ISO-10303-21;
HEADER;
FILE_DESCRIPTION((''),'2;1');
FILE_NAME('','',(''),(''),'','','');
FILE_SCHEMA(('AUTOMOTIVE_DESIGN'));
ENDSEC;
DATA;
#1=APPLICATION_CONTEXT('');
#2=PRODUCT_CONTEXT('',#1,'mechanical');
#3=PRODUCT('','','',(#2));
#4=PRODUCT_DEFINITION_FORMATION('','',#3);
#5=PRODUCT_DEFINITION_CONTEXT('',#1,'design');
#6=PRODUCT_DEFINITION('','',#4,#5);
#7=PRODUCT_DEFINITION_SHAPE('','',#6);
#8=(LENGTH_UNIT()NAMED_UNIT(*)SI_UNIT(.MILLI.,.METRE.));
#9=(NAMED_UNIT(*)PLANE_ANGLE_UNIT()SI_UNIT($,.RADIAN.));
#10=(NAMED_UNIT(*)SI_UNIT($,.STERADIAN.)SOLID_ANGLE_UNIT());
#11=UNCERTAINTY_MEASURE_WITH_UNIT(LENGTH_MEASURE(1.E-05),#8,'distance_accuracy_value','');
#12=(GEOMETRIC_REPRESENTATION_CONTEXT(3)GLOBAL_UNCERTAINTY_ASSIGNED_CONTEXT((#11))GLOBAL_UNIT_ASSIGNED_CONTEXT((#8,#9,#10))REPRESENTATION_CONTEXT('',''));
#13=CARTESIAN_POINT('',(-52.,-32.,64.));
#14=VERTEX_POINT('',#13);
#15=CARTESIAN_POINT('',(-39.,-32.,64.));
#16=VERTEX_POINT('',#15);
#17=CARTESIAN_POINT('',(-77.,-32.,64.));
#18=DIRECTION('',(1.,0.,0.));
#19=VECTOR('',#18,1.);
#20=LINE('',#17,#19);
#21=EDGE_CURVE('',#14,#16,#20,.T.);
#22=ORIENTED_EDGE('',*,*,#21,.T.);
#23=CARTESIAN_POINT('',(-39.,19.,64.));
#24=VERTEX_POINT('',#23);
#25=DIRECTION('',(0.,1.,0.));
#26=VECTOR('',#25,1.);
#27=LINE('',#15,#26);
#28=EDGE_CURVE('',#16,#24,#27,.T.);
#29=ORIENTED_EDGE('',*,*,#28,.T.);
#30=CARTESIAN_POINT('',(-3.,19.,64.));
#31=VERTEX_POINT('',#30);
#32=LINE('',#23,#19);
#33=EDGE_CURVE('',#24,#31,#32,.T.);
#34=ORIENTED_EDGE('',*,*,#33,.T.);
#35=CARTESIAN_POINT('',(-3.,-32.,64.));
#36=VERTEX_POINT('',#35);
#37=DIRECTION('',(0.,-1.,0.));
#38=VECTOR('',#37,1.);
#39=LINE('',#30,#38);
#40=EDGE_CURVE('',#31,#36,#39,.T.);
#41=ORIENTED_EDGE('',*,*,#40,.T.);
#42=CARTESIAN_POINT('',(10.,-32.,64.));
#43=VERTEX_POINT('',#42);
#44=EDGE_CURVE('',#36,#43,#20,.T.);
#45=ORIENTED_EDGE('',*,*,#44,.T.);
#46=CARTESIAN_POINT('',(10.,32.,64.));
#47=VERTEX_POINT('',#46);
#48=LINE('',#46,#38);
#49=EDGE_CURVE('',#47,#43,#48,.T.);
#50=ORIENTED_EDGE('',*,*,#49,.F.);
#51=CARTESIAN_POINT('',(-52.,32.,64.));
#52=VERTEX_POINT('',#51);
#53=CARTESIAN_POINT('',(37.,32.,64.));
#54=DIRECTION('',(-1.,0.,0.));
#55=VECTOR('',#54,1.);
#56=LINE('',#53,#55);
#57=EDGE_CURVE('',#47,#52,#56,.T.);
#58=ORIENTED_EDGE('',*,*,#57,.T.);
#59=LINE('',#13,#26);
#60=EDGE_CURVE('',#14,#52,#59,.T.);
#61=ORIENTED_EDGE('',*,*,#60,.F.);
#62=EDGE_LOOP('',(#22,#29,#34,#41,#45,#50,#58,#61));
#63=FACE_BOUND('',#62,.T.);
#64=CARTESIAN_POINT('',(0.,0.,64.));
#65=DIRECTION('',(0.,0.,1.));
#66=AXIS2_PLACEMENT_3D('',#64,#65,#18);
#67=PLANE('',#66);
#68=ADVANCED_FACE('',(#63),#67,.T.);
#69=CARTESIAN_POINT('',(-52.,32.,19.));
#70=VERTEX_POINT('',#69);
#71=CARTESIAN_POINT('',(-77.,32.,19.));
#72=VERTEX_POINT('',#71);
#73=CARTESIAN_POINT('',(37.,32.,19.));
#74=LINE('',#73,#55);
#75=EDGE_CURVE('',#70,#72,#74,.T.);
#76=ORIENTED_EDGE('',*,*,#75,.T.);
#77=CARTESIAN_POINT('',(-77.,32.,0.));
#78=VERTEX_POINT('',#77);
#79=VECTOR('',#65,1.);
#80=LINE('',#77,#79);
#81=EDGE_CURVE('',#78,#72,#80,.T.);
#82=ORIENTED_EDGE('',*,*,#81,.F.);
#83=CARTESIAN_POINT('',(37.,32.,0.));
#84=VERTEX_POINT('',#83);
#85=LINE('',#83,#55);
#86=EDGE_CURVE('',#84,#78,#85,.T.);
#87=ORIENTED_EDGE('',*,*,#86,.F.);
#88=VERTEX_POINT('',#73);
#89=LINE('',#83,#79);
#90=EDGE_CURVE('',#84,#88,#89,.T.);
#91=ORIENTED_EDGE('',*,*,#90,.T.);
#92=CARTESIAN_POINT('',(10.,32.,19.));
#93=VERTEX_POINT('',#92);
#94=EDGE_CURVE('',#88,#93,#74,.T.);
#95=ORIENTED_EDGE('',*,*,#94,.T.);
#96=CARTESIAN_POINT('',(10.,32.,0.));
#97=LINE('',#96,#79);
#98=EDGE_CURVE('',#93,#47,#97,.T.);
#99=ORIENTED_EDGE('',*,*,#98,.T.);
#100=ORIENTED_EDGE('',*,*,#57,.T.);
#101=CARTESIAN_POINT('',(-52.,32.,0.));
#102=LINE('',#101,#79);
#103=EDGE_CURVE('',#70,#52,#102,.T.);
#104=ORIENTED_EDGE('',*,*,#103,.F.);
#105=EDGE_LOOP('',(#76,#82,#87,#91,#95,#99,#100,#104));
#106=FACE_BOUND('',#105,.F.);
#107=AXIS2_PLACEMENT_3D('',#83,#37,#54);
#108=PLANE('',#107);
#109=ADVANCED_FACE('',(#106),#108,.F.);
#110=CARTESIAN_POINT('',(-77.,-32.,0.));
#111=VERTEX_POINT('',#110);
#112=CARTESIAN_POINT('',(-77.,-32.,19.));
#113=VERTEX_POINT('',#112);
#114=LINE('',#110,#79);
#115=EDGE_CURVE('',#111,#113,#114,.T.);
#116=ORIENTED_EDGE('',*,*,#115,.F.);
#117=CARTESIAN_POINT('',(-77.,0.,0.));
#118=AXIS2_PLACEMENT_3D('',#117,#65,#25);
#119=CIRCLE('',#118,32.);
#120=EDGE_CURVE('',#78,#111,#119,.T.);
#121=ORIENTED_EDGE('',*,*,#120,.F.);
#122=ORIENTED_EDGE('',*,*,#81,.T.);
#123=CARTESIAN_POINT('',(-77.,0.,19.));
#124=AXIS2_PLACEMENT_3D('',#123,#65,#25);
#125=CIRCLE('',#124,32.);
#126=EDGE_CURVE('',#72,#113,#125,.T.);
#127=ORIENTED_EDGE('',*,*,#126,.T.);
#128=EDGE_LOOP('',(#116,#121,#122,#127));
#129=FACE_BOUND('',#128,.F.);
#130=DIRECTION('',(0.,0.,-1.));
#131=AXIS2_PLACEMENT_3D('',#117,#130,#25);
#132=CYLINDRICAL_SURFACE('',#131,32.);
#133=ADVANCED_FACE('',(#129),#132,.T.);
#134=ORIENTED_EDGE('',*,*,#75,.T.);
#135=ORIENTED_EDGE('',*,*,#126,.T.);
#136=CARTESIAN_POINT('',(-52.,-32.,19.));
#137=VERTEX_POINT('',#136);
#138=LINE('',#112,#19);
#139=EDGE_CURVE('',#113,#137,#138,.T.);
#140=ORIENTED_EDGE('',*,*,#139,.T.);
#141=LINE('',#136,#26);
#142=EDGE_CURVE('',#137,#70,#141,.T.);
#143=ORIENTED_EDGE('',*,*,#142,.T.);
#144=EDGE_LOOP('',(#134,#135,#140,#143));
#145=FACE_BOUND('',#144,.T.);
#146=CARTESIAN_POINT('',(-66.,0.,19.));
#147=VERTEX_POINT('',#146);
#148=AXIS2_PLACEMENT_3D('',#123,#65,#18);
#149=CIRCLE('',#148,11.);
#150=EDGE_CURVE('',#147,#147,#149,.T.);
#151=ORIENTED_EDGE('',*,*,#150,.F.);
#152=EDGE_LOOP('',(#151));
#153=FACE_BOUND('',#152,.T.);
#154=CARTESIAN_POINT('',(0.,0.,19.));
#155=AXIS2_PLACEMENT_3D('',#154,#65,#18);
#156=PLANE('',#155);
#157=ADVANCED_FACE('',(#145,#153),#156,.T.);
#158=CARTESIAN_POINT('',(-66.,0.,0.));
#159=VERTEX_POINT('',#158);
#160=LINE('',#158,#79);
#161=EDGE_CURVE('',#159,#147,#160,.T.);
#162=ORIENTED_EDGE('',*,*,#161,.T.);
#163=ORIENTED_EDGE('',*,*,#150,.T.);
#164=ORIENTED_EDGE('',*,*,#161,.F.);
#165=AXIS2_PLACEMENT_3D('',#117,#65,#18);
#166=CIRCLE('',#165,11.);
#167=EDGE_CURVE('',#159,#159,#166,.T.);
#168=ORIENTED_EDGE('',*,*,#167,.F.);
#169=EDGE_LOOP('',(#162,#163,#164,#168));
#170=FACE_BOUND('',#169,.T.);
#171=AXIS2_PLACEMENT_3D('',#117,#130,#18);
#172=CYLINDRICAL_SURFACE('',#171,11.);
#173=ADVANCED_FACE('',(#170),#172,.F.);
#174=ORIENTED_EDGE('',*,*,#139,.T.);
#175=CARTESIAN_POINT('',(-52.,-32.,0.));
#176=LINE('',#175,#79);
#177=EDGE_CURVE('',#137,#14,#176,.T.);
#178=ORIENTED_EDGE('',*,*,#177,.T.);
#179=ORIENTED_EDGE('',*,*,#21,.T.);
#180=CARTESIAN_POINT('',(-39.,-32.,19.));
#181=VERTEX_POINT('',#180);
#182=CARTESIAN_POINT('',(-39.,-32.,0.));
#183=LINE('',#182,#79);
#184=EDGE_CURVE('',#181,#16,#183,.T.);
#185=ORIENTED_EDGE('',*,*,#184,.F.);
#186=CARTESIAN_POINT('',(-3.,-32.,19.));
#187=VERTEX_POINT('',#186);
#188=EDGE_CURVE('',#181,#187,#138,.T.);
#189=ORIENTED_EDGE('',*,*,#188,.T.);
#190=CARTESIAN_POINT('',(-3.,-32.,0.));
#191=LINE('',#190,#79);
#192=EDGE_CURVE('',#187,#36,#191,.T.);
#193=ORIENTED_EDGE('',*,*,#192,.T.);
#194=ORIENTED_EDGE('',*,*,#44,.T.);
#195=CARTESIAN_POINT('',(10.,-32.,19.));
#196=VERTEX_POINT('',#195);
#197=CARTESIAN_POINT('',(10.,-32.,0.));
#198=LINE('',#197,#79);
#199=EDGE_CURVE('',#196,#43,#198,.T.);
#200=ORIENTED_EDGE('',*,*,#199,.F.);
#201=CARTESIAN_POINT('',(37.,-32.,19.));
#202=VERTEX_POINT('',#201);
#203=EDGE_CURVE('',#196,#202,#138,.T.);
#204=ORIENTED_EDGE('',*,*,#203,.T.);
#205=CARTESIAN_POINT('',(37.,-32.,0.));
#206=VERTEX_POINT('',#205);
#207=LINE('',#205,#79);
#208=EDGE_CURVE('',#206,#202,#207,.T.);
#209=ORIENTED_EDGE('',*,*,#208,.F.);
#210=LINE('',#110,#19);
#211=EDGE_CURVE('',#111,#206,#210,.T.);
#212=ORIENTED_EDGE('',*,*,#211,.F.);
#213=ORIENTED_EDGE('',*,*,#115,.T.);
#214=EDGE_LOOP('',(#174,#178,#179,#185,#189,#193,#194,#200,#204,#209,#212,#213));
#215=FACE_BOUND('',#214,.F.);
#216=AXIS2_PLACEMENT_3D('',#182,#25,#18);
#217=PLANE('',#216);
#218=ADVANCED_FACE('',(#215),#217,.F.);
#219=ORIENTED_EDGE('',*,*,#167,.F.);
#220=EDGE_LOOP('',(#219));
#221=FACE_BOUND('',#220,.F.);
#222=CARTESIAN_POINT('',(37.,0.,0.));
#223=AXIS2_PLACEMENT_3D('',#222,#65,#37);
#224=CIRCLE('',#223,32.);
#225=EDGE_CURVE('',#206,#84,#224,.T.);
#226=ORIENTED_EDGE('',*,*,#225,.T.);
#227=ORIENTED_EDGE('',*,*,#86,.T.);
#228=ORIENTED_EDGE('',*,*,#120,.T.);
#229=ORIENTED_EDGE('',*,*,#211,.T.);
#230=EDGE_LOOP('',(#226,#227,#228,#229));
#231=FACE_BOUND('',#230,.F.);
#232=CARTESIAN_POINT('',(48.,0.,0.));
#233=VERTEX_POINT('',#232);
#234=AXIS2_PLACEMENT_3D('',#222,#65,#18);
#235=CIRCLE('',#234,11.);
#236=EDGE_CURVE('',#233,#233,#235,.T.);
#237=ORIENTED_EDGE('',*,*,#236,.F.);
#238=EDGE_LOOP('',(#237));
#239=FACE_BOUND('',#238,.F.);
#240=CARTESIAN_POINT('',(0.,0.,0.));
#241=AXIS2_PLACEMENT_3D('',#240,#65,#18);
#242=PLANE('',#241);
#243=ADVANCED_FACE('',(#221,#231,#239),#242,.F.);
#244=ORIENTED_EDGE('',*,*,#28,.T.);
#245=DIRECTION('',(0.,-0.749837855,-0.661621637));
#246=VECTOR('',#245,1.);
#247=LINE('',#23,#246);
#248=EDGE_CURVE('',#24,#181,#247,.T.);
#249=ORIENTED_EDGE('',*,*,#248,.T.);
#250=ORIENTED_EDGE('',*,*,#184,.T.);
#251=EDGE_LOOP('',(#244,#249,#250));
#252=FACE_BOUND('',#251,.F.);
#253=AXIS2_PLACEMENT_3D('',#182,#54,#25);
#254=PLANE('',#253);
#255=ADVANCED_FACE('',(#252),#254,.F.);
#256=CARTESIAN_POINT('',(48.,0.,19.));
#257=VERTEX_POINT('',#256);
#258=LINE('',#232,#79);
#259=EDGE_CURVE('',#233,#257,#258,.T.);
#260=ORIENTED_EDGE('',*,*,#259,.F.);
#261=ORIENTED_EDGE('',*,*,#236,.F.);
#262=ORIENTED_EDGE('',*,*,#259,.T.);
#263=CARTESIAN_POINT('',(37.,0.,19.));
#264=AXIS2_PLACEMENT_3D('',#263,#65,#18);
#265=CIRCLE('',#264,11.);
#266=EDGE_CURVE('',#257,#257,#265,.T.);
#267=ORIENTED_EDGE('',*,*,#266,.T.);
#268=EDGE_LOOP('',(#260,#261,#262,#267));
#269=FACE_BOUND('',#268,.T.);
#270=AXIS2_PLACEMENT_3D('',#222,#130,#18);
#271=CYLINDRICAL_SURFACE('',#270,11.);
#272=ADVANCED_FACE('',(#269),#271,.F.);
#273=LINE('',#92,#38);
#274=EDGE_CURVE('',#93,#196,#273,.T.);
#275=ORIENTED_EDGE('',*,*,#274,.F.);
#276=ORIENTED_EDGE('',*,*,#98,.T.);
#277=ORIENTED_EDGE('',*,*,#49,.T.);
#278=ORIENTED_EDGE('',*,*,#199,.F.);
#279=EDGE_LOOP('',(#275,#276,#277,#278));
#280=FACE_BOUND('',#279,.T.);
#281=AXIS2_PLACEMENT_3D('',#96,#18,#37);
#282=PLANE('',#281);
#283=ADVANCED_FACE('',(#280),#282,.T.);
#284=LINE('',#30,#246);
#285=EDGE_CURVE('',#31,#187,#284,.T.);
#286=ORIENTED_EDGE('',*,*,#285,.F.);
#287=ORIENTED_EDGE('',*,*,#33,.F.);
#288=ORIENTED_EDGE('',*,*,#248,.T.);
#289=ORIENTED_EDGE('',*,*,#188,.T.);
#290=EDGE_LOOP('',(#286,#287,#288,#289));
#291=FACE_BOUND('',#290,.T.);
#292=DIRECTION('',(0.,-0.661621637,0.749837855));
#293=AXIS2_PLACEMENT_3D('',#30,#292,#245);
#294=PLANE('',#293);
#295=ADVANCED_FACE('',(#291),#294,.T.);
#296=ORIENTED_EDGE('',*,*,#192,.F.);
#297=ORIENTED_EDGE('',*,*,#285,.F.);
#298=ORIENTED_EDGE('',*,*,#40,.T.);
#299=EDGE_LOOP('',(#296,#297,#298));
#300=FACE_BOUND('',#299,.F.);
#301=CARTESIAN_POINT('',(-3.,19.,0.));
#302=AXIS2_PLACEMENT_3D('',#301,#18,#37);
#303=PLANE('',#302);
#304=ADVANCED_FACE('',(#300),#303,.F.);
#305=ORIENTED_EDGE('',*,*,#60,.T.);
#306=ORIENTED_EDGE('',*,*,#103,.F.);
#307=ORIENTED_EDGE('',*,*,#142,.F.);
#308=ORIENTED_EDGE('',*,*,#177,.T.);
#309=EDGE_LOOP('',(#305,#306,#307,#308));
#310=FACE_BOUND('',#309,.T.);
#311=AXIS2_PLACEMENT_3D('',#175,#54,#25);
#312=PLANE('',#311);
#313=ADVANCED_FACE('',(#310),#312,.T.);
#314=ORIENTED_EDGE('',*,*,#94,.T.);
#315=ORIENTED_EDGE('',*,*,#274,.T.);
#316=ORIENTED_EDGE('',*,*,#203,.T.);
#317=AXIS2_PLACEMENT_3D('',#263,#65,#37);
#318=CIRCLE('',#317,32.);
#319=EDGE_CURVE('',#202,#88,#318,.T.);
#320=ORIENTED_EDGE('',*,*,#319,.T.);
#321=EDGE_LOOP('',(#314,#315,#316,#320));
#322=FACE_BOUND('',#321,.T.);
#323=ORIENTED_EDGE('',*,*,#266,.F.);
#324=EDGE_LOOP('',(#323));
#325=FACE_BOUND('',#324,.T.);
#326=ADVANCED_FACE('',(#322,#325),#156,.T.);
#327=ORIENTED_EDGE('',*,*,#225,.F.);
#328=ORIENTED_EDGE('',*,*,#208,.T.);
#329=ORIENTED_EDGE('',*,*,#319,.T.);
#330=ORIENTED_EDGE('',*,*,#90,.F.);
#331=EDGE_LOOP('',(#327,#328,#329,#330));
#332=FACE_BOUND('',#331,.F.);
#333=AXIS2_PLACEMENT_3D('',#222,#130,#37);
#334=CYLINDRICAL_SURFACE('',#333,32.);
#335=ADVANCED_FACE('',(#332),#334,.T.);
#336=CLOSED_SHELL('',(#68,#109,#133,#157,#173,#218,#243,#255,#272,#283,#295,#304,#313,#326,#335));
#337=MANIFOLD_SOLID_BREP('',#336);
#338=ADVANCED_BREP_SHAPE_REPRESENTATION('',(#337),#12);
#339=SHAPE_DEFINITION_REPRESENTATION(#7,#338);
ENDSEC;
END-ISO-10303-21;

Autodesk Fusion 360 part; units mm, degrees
sketch "BaseSketch" plane through (0, 0, 0) normal (0, 0, 1) x (1, 0, 0)
  line L0 (-77, -32) -> (37, -32)
  arc A0 (37, -32) -> (37, 32) centre (37, 0) ccw
  line L1 (37, 32) -> (-77, 32)
  arc A1 (-77, 32) -> (-77, -32) centre (-77, 0) ccw
  line L2 (-77, 0) -> (37, 0) construction
  circle A2 centre (-77, 0) radius 11
  circle A3 centre (37, 0) radius 11
  line L3 (-77, 0) -> (-52, 0) construction
  line L4 (-52, 32) -> (10, 32) construction
  line L5 (10, 32) -> (10, -32)
  line L6 (10, -32) -> (-52, -32) construction
  line L7 (-52, -32) -> (-52, 32)
  line L8 (-39, -32) -> (-39, 19)
  line L9 (-39, 19) -> (-3, 19)
  line L10 (-3, 19) -> (-3, -32)
  dimension "d2" = 64
  dimension "d3" = 22
  dimension "d4" = 22
  dimension "d5" = 25
  dimension "d6" = 62
  dimension "d7" = 13
extrude "Extrude1" add sketch "BaseSketch" along normal blind 19 contours L0 L1 A1 L7 | L0 A0 L1 L5 makes body 1 at (15.3333, 0, 0) makes body 2 at (-66.8333, 24.5088, 0)
extrude "Extrude2" add sketch "BaseSketch" along normal blind 64 contours L0 L1 L5 L7 L8 L9 L10 bodies 1 2
extrude "Extrude3" add sketch "BaseSketch" along normal blind 19 contours L0 L8 L9 L10 bodies 1
sketch "TriangleSketch" plane through (0, 0, 0) normal (1, 0, 0) x (0, 1, 0)
  line L0 (32, 0) -> (19, 0)
  line L1 (19, 0) -> (-32, 0)
  line L2 (19, 0) -> (-32, 0)
  line L3 (-32, 0) -> (-32, 19)
  line L4 (-32, 19) -> (19, 19)
  line L5 (19, 19) -> (19, 0)
  line L6 (19, 19) -> (19, 64)
  line L7 (19, 64) -> (-32, 19)
  dimension "d14" = 13
  dimension "d15" = 51
  dimension "d16" = 19
extrude "Extrude4" add sketch "TriangleSketch" against normal blind 36 from surface at -3 contours L4 L6 L7 bodies 1
